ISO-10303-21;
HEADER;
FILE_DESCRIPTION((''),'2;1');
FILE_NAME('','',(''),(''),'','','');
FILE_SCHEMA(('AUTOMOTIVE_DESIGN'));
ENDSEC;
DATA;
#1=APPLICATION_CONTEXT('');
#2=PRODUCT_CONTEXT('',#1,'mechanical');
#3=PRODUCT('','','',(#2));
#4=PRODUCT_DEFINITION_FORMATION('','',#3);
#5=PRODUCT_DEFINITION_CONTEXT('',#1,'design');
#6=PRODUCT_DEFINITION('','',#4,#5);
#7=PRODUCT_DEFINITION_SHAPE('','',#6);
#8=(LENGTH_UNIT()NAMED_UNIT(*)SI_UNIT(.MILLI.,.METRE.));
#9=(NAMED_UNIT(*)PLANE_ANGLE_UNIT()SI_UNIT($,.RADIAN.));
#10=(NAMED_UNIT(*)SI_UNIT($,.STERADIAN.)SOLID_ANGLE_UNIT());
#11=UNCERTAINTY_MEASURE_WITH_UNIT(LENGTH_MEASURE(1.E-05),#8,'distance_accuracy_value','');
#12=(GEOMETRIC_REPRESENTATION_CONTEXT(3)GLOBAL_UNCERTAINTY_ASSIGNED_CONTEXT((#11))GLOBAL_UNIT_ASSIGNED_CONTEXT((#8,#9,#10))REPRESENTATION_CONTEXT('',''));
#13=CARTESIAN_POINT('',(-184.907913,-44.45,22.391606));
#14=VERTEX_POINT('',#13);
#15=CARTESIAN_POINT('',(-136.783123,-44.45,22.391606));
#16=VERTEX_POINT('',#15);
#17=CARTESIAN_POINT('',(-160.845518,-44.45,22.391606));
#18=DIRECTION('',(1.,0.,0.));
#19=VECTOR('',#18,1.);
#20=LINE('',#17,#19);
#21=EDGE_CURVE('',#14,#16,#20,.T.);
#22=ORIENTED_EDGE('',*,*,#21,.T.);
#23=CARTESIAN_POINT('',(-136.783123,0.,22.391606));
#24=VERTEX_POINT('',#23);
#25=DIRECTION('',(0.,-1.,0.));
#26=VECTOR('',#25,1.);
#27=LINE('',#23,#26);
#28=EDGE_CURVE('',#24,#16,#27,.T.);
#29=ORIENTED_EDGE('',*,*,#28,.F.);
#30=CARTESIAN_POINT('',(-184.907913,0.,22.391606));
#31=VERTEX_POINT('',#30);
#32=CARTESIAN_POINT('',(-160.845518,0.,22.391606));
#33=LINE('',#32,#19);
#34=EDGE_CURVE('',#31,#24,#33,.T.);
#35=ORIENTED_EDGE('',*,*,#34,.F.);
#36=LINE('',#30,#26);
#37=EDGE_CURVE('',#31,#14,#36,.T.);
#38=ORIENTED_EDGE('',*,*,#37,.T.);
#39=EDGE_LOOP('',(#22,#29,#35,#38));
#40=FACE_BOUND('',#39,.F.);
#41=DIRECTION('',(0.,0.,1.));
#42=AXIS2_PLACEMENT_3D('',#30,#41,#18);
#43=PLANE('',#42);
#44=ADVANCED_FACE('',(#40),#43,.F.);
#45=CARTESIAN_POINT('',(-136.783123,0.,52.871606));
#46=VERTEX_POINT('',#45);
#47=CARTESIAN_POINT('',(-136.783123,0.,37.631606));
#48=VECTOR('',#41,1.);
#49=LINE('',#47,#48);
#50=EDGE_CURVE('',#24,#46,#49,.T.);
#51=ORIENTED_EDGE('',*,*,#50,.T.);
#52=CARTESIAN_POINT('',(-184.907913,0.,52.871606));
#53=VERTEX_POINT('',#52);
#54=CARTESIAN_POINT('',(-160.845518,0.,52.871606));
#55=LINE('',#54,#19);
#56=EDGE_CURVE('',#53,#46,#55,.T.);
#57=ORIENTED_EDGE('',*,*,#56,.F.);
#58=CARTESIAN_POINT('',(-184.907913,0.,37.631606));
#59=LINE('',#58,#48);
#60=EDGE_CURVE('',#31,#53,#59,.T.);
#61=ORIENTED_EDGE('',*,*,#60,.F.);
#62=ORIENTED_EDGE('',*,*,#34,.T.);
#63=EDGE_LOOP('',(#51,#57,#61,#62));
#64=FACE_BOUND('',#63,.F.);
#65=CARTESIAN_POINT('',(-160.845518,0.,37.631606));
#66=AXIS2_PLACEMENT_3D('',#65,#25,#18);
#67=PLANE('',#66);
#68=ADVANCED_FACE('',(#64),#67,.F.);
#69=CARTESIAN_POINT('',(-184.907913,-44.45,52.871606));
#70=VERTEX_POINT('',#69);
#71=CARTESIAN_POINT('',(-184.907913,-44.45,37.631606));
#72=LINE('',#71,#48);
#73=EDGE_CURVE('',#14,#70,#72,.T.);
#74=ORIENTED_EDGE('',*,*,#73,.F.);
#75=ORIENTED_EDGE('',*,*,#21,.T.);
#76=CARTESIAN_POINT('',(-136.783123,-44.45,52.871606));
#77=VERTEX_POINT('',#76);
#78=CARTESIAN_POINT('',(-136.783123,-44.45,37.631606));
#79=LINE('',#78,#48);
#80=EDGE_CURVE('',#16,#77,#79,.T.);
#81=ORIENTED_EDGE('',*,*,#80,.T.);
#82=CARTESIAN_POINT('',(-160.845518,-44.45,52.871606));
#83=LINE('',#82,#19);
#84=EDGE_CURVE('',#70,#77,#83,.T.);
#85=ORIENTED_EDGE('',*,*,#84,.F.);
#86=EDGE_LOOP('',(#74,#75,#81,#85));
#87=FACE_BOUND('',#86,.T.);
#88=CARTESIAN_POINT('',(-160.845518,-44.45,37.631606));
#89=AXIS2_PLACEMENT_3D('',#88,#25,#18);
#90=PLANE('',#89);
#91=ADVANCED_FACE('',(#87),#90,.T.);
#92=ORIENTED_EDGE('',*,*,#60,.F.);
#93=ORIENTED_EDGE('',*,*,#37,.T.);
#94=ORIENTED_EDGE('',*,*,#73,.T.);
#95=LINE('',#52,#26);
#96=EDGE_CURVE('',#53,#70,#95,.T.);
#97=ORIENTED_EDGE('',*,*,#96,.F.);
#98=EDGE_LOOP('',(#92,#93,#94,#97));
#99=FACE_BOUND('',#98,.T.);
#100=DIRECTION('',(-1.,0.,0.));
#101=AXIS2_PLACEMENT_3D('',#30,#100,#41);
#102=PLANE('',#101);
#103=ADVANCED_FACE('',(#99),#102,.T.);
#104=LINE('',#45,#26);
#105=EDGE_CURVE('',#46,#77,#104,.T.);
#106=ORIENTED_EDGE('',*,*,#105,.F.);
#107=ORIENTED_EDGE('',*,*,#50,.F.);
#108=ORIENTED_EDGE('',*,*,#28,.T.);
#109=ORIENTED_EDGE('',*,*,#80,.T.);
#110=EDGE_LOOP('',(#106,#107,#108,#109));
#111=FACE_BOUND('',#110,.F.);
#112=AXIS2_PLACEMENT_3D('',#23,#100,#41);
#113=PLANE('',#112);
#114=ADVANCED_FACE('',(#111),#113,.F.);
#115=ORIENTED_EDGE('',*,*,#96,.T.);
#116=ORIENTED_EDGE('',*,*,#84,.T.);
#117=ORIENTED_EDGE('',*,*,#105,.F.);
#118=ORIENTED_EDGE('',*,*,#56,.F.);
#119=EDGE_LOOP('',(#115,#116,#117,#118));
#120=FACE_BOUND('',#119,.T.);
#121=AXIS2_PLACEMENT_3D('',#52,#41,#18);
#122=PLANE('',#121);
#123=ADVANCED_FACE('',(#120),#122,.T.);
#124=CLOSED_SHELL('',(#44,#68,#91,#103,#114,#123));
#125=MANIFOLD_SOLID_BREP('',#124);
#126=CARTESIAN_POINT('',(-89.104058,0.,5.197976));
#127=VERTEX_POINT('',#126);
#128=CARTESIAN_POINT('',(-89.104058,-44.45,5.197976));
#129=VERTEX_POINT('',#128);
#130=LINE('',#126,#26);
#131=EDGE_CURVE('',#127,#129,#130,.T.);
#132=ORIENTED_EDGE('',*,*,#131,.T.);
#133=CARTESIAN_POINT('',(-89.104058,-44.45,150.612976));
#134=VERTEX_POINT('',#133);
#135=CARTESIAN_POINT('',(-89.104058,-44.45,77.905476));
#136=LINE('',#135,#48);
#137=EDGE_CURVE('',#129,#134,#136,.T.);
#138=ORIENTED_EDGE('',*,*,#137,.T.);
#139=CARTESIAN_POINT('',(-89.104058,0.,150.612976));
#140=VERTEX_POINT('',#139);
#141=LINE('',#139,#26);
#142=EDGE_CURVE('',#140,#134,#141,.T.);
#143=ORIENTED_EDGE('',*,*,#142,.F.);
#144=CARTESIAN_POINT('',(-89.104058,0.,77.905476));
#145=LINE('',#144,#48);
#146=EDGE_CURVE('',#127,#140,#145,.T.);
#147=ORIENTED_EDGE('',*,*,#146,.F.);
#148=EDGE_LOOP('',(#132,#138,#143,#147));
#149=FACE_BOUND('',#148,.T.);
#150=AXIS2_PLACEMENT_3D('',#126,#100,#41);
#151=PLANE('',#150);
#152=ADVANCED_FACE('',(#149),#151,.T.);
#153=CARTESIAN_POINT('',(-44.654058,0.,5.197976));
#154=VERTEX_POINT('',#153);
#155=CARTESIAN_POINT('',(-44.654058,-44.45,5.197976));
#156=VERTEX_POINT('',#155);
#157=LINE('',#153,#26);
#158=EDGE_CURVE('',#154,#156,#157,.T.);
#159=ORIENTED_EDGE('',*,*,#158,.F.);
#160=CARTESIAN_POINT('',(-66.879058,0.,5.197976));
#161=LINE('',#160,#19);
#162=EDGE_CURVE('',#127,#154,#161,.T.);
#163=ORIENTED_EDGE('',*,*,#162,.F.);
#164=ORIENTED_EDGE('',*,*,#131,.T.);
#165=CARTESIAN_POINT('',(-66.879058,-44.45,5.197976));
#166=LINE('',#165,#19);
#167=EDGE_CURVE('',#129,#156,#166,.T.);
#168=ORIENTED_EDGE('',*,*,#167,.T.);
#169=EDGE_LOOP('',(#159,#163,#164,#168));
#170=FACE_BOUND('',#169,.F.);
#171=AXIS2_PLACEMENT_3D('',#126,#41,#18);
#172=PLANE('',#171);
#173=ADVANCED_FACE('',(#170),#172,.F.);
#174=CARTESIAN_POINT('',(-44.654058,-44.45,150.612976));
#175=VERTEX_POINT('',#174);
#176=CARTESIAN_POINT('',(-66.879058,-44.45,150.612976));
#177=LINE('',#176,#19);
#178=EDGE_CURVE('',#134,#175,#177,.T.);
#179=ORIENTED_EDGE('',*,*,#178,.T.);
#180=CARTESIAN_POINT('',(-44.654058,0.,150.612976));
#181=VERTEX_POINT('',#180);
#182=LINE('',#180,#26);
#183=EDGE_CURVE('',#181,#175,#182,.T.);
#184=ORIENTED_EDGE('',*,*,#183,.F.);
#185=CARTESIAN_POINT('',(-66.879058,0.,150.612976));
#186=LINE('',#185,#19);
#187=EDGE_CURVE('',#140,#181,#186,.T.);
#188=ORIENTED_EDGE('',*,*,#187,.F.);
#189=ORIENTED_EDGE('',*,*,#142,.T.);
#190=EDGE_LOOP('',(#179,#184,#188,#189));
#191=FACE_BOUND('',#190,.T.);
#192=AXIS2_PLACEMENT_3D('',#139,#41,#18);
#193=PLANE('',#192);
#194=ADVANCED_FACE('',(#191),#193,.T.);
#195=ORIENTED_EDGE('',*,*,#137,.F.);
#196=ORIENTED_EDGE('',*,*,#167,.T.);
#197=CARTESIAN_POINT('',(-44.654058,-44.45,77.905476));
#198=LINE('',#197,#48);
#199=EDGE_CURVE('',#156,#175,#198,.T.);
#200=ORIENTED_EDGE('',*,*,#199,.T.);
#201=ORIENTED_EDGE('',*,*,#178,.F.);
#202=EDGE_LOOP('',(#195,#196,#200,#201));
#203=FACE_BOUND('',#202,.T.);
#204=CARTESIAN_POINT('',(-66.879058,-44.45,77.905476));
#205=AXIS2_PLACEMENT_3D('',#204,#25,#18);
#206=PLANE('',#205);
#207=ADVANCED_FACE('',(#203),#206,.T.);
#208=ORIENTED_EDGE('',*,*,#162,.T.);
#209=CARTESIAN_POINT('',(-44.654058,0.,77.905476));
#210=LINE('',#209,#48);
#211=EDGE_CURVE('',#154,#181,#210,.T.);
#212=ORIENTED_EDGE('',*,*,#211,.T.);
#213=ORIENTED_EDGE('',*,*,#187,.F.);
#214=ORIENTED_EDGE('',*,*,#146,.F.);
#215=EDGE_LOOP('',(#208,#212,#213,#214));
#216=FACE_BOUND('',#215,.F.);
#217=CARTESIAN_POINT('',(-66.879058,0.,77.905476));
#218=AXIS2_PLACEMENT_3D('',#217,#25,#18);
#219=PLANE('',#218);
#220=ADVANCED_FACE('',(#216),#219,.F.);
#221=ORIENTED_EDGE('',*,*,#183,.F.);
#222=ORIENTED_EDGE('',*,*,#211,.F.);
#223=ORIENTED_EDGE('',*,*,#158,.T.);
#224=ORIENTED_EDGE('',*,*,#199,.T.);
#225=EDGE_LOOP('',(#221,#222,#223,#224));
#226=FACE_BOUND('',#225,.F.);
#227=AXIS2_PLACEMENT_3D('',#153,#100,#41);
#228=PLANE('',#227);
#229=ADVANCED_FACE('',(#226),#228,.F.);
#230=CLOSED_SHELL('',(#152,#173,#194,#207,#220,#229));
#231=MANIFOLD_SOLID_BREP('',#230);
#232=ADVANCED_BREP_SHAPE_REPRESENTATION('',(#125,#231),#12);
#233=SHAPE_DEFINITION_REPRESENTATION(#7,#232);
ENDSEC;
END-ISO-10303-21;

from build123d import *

# Parameters (mm, degrees)
F0_W     = 44.45
F0_H     = 145.415
F1_W     = 48.12479
F1_H     = 30.48
F2_DEPTH = 44.45


with BuildPart() as f2:
    # F0 (on Front) + F1 (on face) → F2 (new body)
    with BuildSketch(Plane.XZ):
        with Locations((-66.879058, 77.905476)):
            Rectangle(F0_W, F0_H)
    with BuildSketch(Plane.XZ):
        with Locations((-160.845518, 37.631606)):
            Rectangle(F1_W, F1_H)
    extrude(amount=F2_DEPTH)


solid = f2.part
